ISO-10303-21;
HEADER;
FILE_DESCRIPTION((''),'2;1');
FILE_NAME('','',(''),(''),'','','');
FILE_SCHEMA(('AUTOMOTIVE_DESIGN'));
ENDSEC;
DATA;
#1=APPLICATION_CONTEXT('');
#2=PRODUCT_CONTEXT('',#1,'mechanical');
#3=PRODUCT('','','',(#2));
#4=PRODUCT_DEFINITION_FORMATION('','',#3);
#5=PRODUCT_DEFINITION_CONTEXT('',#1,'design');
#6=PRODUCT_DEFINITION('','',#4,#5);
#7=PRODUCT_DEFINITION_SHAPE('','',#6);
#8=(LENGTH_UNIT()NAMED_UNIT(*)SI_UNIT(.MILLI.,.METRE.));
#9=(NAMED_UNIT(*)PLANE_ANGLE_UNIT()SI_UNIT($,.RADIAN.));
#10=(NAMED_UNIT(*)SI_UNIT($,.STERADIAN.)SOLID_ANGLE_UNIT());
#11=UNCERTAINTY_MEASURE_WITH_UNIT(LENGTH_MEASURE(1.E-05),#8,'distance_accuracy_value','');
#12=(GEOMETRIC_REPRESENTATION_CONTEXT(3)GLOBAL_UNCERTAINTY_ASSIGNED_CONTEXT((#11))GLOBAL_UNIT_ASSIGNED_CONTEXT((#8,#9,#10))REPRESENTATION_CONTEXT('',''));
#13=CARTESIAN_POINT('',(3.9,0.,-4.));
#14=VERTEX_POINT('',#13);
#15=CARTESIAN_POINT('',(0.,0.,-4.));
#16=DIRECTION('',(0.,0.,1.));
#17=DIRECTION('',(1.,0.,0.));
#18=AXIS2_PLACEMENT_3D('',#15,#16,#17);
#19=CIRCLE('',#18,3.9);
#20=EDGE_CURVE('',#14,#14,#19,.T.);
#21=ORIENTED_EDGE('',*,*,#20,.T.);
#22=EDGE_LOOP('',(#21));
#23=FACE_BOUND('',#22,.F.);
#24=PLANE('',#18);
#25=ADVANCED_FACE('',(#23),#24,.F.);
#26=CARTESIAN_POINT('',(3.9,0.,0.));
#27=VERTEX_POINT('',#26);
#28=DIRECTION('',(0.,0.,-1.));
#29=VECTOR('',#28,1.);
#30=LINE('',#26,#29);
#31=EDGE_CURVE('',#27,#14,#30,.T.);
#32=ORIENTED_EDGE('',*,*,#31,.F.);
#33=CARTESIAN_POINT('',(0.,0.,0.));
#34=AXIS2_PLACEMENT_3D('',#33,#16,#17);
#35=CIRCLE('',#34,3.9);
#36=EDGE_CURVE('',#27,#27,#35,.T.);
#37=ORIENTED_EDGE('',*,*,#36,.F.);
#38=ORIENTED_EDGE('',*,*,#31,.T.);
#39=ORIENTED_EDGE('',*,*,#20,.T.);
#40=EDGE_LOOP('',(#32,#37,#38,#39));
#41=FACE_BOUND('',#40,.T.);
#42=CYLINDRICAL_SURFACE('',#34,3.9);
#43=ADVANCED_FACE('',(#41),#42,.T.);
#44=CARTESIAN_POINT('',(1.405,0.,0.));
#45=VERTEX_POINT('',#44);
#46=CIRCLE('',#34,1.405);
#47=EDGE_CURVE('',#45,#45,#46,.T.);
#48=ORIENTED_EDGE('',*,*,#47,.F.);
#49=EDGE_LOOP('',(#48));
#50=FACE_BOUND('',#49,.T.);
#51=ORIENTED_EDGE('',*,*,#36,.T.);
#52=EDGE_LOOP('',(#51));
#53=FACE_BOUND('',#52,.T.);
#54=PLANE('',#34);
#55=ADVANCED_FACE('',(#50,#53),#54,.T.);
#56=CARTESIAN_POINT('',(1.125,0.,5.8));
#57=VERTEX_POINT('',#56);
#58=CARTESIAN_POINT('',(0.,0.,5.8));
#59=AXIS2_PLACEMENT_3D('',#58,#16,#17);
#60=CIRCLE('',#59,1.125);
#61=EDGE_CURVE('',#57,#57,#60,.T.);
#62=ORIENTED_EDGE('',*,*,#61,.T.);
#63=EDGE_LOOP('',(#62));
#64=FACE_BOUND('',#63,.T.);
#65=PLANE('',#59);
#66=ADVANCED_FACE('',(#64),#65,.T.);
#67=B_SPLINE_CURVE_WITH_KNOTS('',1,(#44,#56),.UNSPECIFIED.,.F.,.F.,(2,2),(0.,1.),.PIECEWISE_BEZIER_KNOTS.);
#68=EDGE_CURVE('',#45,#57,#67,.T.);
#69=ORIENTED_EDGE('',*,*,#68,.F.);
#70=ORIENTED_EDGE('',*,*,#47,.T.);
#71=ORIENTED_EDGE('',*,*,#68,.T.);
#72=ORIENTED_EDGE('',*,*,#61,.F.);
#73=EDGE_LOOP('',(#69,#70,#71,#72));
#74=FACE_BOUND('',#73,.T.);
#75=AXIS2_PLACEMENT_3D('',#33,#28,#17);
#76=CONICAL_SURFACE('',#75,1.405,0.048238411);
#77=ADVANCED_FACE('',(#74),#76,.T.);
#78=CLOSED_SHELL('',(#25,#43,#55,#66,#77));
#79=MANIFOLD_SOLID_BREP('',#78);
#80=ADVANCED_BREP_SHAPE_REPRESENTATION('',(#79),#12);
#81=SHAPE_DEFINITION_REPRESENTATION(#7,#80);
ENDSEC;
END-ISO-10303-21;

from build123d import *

# Parameters (mm, degrees)
F0_R     = 3.9
F1_DEPTH = 4
F2_R     = 1.405
F4_R     = 1.125


with BuildPart() as f1:
    # F0 (on Top) → F1 (new body)
    with BuildSketch(Plane.XY):
        Circle(F0_R)
    extrude(amount=-F1_DEPTH)

    # F2 (on Top) → F5 section 0
    with BuildSketch(Plane.XY):
        Circle(F2_R)
    # F4 (on offset) → F5 section 1
    with BuildSketch(Plane.XY.offset(5.8)):
        Circle(F4_R)
    loft()


solid = f1.part
